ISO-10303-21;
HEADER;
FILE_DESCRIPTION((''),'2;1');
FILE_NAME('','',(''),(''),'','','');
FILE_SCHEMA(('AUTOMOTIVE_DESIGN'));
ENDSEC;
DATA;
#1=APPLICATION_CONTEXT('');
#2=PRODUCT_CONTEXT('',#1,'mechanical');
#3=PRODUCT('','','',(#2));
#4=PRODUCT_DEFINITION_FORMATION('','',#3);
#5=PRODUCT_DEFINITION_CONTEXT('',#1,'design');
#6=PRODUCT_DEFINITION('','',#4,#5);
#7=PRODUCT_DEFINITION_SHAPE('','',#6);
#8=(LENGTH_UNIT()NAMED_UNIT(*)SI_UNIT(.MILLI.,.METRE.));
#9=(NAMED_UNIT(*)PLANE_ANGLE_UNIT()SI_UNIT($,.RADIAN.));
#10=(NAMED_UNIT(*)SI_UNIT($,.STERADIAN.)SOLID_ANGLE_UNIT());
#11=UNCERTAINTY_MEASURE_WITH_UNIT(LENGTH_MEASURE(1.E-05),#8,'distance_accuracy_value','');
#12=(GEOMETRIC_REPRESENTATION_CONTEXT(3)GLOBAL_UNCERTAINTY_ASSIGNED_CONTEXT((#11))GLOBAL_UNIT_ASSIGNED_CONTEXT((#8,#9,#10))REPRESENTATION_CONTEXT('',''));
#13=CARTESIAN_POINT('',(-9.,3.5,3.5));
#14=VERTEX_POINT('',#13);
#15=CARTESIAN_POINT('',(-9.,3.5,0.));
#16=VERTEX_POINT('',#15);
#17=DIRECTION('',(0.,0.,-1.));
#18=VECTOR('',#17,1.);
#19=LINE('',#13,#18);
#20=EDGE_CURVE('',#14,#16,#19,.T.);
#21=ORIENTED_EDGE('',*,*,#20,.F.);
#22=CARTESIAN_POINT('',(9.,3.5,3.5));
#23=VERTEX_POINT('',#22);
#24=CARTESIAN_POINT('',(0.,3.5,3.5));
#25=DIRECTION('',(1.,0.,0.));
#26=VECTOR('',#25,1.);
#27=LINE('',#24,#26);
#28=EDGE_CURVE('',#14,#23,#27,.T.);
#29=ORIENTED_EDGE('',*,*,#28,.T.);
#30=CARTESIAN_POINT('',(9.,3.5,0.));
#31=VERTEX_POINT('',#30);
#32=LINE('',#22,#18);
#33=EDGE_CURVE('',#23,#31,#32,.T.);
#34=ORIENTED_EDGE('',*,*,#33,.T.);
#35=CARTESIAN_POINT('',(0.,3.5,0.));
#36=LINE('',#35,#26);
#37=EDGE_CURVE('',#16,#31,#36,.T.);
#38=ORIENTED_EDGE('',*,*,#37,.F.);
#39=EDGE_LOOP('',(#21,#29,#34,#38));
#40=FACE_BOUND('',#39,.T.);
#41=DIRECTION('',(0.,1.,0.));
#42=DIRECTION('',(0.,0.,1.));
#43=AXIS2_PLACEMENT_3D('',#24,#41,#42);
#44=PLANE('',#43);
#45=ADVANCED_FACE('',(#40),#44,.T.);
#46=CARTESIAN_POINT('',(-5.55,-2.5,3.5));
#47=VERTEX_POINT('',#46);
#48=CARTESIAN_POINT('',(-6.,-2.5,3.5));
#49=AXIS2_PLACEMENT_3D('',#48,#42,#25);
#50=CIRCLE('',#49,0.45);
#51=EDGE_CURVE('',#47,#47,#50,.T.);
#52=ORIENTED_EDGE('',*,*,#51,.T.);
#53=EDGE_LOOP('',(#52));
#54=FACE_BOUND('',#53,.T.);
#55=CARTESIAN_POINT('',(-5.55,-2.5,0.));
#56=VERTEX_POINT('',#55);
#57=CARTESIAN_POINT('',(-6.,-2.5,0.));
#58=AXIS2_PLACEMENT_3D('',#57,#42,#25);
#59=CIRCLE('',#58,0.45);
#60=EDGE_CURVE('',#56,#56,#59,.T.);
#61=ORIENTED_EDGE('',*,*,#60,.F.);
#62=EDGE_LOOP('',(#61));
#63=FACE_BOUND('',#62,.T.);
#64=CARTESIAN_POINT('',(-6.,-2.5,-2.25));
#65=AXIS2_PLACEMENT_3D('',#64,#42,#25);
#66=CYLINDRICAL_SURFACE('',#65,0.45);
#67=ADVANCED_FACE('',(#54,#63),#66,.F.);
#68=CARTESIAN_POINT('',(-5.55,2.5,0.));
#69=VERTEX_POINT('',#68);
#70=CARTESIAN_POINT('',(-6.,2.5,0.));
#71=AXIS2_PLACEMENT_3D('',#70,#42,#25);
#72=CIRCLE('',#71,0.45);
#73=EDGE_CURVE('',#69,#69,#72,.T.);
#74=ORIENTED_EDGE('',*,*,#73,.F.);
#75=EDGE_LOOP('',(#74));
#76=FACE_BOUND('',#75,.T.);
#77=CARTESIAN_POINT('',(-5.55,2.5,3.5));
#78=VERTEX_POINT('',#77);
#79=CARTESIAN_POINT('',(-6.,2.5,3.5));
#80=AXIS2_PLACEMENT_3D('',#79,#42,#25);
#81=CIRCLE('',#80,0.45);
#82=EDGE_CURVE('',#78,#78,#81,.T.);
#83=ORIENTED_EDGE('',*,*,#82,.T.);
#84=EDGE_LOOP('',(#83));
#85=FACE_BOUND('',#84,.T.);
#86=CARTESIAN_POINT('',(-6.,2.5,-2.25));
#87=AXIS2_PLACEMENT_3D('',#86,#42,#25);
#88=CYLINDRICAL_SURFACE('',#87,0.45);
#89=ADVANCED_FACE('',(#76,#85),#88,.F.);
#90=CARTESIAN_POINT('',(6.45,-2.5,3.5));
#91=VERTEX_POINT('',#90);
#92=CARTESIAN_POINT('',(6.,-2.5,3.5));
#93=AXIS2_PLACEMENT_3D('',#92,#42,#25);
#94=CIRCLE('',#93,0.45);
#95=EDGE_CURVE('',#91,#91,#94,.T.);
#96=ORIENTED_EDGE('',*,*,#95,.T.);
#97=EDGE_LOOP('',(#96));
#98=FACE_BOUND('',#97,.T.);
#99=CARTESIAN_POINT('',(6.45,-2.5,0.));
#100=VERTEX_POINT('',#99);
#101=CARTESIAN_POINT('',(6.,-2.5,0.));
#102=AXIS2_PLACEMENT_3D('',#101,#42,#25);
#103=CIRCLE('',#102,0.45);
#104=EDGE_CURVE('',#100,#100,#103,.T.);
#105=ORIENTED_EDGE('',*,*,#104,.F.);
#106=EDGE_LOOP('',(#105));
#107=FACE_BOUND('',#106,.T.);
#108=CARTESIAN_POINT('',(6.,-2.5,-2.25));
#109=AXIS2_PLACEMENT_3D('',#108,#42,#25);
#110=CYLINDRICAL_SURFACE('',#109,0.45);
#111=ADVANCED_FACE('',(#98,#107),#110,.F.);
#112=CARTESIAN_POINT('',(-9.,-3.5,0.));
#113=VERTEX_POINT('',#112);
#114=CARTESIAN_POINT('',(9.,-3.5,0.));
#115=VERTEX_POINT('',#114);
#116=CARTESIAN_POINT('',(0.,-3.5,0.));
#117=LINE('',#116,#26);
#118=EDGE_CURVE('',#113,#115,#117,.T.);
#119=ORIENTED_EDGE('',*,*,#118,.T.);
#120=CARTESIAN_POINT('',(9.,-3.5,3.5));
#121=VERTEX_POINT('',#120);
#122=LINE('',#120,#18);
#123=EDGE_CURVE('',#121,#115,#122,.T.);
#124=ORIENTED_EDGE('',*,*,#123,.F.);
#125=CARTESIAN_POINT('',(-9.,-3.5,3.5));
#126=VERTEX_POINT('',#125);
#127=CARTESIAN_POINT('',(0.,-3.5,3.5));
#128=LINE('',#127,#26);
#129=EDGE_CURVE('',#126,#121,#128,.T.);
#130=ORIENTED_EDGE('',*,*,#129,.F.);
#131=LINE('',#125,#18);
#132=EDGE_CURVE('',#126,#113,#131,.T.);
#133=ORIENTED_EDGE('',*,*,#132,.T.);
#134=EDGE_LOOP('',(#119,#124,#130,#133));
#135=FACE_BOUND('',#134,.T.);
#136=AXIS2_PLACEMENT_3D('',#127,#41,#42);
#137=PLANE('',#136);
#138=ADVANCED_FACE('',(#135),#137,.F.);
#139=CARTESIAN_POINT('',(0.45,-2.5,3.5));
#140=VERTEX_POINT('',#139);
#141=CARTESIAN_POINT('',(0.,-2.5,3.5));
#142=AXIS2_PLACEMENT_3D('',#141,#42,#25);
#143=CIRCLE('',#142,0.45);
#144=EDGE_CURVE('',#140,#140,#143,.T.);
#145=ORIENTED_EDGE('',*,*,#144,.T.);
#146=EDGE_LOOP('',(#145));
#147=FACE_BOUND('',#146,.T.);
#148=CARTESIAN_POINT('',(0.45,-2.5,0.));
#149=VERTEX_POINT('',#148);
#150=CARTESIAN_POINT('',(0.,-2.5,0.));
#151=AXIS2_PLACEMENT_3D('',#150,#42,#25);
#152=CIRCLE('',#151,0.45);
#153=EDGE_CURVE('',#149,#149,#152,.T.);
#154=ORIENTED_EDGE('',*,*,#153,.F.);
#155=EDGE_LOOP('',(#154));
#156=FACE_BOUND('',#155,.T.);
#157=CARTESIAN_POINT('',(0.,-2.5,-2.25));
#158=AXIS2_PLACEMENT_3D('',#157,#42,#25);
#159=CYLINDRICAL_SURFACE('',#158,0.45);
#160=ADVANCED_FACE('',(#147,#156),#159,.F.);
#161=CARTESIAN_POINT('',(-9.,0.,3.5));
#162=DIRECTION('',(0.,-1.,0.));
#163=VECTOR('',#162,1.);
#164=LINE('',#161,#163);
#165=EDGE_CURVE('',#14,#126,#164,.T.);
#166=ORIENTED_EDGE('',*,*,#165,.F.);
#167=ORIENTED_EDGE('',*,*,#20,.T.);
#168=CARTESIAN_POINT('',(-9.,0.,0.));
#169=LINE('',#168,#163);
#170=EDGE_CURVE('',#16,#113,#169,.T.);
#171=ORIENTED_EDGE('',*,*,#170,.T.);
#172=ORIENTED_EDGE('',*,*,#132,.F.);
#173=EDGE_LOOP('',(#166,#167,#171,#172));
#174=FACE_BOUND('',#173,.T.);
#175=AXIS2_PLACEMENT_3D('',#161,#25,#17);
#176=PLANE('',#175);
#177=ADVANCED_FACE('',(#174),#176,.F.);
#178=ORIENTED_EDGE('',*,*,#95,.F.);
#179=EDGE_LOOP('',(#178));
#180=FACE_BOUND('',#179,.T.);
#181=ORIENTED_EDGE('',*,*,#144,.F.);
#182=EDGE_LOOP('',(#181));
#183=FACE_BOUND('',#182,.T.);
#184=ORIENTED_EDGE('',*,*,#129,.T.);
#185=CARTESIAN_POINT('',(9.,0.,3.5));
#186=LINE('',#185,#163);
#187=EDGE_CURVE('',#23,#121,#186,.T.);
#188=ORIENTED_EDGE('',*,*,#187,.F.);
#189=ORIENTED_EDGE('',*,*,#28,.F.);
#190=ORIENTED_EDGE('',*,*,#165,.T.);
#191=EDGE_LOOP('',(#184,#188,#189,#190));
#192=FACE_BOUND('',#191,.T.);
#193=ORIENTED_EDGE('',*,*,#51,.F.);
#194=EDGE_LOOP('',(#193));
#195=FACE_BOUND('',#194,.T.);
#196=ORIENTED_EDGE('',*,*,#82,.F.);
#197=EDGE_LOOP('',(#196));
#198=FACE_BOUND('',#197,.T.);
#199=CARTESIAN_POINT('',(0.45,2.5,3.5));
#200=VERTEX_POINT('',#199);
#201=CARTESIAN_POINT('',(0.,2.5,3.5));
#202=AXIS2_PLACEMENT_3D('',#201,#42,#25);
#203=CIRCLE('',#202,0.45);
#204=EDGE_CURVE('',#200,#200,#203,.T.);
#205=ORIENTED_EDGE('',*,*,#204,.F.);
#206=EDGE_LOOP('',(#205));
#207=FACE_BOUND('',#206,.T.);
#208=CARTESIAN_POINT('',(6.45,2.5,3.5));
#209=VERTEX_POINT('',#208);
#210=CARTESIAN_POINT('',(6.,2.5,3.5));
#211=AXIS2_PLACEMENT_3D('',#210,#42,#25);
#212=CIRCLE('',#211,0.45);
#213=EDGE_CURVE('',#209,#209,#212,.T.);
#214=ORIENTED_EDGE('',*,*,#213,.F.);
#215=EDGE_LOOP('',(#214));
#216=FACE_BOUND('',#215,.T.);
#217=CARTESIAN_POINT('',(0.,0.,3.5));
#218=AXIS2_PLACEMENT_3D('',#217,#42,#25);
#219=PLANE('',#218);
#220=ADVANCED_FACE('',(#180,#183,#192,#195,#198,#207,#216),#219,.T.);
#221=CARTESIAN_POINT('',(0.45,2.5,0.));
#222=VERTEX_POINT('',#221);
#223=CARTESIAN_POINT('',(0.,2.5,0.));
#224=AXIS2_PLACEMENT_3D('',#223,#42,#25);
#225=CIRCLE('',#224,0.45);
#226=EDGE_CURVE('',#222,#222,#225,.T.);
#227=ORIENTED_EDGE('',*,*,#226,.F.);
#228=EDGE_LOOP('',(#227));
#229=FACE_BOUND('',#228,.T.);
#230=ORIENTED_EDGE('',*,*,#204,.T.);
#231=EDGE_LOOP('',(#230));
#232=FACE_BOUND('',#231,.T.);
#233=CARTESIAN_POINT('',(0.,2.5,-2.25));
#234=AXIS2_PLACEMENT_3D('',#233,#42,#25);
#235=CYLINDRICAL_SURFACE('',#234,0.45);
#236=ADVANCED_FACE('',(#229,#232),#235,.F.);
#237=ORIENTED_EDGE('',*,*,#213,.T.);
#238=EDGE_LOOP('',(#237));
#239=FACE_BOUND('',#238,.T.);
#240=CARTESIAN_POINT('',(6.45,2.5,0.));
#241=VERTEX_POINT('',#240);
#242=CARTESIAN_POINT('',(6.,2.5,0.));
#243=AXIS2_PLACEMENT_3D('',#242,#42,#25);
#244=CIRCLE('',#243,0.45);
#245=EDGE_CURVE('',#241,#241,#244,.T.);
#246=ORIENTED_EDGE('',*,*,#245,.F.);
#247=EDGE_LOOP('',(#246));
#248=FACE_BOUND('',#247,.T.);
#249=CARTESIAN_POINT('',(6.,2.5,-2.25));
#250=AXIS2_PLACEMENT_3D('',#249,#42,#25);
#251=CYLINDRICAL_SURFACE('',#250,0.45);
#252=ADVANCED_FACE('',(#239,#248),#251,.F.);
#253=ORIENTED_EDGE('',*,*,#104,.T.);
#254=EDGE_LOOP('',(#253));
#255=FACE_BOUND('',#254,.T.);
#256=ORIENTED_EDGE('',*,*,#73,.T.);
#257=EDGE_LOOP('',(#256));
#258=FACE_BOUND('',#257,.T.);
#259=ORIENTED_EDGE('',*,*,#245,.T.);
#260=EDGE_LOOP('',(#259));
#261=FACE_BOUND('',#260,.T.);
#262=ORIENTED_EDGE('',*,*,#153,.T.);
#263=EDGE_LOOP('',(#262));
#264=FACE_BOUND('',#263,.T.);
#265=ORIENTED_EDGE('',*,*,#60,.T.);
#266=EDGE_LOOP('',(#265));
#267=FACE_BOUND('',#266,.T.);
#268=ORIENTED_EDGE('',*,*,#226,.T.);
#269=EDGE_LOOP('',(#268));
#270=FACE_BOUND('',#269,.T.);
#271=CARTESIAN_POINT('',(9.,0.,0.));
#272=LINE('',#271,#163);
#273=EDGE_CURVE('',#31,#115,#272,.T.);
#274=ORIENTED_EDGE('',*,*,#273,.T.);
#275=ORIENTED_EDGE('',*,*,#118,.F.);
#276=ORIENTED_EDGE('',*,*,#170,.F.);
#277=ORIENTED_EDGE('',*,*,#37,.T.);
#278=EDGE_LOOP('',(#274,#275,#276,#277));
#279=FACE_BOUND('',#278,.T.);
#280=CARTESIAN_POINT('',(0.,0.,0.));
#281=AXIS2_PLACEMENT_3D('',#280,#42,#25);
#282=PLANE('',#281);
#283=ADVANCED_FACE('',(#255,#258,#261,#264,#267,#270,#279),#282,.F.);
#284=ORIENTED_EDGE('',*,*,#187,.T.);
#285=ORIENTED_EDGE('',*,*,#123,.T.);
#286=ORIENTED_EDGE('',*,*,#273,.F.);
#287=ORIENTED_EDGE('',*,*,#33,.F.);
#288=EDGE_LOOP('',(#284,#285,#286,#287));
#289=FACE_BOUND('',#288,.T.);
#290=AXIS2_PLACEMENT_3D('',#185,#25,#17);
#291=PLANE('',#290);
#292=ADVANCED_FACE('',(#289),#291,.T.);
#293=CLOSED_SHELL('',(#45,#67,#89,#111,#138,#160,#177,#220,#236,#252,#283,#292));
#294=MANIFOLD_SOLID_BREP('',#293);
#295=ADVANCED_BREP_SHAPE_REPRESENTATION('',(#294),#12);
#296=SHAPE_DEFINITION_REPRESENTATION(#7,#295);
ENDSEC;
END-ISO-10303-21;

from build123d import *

# Parameters (mm, degrees)
CROQUIS1_W              = 18
CROQUIS1_H              = 7
SALIENTE_EXTRUIR1_DEPTH = 3.5
CROQUIS2_R              = 0.45
CORTAR_EXTRUIR1_DEPTH   = 5.75


with BuildPart() as part:
    # Croquis1 → Saliente-Extruir1 (new body)
    with BuildSketch(Plane.XY):
        Rectangle(CROQUIS1_W, CROQUIS1_H)
    extrude(amount=SALIENTE_EXTRUIR1_DEPTH)

    # Croquis2 → Cortar-Extruir1 (cut)
    with BuildSketch(Plane.XY.offset(3.5)):
        with Locations((-6, 2.5)):
            Circle(CROQUIS2_R)
        with Locations((-6, -2.5)):
            Circle(CROQUIS2_R)
        with Locations((6, 2.5)):
            Circle(CROQUIS2_R)
        with Locations((6, -2.5)):
            Circle(CROQUIS2_R)
        with Locations((0, 2.5)):
            Circle(CROQUIS2_R)
        with Locations((0, -2.5)):
            Circle(CROQUIS2_R)
    extrude(amount=-CORTAR_EXTRUIR1_DEPTH, mode=Mode.SUBTRACT)


solid = part.part
